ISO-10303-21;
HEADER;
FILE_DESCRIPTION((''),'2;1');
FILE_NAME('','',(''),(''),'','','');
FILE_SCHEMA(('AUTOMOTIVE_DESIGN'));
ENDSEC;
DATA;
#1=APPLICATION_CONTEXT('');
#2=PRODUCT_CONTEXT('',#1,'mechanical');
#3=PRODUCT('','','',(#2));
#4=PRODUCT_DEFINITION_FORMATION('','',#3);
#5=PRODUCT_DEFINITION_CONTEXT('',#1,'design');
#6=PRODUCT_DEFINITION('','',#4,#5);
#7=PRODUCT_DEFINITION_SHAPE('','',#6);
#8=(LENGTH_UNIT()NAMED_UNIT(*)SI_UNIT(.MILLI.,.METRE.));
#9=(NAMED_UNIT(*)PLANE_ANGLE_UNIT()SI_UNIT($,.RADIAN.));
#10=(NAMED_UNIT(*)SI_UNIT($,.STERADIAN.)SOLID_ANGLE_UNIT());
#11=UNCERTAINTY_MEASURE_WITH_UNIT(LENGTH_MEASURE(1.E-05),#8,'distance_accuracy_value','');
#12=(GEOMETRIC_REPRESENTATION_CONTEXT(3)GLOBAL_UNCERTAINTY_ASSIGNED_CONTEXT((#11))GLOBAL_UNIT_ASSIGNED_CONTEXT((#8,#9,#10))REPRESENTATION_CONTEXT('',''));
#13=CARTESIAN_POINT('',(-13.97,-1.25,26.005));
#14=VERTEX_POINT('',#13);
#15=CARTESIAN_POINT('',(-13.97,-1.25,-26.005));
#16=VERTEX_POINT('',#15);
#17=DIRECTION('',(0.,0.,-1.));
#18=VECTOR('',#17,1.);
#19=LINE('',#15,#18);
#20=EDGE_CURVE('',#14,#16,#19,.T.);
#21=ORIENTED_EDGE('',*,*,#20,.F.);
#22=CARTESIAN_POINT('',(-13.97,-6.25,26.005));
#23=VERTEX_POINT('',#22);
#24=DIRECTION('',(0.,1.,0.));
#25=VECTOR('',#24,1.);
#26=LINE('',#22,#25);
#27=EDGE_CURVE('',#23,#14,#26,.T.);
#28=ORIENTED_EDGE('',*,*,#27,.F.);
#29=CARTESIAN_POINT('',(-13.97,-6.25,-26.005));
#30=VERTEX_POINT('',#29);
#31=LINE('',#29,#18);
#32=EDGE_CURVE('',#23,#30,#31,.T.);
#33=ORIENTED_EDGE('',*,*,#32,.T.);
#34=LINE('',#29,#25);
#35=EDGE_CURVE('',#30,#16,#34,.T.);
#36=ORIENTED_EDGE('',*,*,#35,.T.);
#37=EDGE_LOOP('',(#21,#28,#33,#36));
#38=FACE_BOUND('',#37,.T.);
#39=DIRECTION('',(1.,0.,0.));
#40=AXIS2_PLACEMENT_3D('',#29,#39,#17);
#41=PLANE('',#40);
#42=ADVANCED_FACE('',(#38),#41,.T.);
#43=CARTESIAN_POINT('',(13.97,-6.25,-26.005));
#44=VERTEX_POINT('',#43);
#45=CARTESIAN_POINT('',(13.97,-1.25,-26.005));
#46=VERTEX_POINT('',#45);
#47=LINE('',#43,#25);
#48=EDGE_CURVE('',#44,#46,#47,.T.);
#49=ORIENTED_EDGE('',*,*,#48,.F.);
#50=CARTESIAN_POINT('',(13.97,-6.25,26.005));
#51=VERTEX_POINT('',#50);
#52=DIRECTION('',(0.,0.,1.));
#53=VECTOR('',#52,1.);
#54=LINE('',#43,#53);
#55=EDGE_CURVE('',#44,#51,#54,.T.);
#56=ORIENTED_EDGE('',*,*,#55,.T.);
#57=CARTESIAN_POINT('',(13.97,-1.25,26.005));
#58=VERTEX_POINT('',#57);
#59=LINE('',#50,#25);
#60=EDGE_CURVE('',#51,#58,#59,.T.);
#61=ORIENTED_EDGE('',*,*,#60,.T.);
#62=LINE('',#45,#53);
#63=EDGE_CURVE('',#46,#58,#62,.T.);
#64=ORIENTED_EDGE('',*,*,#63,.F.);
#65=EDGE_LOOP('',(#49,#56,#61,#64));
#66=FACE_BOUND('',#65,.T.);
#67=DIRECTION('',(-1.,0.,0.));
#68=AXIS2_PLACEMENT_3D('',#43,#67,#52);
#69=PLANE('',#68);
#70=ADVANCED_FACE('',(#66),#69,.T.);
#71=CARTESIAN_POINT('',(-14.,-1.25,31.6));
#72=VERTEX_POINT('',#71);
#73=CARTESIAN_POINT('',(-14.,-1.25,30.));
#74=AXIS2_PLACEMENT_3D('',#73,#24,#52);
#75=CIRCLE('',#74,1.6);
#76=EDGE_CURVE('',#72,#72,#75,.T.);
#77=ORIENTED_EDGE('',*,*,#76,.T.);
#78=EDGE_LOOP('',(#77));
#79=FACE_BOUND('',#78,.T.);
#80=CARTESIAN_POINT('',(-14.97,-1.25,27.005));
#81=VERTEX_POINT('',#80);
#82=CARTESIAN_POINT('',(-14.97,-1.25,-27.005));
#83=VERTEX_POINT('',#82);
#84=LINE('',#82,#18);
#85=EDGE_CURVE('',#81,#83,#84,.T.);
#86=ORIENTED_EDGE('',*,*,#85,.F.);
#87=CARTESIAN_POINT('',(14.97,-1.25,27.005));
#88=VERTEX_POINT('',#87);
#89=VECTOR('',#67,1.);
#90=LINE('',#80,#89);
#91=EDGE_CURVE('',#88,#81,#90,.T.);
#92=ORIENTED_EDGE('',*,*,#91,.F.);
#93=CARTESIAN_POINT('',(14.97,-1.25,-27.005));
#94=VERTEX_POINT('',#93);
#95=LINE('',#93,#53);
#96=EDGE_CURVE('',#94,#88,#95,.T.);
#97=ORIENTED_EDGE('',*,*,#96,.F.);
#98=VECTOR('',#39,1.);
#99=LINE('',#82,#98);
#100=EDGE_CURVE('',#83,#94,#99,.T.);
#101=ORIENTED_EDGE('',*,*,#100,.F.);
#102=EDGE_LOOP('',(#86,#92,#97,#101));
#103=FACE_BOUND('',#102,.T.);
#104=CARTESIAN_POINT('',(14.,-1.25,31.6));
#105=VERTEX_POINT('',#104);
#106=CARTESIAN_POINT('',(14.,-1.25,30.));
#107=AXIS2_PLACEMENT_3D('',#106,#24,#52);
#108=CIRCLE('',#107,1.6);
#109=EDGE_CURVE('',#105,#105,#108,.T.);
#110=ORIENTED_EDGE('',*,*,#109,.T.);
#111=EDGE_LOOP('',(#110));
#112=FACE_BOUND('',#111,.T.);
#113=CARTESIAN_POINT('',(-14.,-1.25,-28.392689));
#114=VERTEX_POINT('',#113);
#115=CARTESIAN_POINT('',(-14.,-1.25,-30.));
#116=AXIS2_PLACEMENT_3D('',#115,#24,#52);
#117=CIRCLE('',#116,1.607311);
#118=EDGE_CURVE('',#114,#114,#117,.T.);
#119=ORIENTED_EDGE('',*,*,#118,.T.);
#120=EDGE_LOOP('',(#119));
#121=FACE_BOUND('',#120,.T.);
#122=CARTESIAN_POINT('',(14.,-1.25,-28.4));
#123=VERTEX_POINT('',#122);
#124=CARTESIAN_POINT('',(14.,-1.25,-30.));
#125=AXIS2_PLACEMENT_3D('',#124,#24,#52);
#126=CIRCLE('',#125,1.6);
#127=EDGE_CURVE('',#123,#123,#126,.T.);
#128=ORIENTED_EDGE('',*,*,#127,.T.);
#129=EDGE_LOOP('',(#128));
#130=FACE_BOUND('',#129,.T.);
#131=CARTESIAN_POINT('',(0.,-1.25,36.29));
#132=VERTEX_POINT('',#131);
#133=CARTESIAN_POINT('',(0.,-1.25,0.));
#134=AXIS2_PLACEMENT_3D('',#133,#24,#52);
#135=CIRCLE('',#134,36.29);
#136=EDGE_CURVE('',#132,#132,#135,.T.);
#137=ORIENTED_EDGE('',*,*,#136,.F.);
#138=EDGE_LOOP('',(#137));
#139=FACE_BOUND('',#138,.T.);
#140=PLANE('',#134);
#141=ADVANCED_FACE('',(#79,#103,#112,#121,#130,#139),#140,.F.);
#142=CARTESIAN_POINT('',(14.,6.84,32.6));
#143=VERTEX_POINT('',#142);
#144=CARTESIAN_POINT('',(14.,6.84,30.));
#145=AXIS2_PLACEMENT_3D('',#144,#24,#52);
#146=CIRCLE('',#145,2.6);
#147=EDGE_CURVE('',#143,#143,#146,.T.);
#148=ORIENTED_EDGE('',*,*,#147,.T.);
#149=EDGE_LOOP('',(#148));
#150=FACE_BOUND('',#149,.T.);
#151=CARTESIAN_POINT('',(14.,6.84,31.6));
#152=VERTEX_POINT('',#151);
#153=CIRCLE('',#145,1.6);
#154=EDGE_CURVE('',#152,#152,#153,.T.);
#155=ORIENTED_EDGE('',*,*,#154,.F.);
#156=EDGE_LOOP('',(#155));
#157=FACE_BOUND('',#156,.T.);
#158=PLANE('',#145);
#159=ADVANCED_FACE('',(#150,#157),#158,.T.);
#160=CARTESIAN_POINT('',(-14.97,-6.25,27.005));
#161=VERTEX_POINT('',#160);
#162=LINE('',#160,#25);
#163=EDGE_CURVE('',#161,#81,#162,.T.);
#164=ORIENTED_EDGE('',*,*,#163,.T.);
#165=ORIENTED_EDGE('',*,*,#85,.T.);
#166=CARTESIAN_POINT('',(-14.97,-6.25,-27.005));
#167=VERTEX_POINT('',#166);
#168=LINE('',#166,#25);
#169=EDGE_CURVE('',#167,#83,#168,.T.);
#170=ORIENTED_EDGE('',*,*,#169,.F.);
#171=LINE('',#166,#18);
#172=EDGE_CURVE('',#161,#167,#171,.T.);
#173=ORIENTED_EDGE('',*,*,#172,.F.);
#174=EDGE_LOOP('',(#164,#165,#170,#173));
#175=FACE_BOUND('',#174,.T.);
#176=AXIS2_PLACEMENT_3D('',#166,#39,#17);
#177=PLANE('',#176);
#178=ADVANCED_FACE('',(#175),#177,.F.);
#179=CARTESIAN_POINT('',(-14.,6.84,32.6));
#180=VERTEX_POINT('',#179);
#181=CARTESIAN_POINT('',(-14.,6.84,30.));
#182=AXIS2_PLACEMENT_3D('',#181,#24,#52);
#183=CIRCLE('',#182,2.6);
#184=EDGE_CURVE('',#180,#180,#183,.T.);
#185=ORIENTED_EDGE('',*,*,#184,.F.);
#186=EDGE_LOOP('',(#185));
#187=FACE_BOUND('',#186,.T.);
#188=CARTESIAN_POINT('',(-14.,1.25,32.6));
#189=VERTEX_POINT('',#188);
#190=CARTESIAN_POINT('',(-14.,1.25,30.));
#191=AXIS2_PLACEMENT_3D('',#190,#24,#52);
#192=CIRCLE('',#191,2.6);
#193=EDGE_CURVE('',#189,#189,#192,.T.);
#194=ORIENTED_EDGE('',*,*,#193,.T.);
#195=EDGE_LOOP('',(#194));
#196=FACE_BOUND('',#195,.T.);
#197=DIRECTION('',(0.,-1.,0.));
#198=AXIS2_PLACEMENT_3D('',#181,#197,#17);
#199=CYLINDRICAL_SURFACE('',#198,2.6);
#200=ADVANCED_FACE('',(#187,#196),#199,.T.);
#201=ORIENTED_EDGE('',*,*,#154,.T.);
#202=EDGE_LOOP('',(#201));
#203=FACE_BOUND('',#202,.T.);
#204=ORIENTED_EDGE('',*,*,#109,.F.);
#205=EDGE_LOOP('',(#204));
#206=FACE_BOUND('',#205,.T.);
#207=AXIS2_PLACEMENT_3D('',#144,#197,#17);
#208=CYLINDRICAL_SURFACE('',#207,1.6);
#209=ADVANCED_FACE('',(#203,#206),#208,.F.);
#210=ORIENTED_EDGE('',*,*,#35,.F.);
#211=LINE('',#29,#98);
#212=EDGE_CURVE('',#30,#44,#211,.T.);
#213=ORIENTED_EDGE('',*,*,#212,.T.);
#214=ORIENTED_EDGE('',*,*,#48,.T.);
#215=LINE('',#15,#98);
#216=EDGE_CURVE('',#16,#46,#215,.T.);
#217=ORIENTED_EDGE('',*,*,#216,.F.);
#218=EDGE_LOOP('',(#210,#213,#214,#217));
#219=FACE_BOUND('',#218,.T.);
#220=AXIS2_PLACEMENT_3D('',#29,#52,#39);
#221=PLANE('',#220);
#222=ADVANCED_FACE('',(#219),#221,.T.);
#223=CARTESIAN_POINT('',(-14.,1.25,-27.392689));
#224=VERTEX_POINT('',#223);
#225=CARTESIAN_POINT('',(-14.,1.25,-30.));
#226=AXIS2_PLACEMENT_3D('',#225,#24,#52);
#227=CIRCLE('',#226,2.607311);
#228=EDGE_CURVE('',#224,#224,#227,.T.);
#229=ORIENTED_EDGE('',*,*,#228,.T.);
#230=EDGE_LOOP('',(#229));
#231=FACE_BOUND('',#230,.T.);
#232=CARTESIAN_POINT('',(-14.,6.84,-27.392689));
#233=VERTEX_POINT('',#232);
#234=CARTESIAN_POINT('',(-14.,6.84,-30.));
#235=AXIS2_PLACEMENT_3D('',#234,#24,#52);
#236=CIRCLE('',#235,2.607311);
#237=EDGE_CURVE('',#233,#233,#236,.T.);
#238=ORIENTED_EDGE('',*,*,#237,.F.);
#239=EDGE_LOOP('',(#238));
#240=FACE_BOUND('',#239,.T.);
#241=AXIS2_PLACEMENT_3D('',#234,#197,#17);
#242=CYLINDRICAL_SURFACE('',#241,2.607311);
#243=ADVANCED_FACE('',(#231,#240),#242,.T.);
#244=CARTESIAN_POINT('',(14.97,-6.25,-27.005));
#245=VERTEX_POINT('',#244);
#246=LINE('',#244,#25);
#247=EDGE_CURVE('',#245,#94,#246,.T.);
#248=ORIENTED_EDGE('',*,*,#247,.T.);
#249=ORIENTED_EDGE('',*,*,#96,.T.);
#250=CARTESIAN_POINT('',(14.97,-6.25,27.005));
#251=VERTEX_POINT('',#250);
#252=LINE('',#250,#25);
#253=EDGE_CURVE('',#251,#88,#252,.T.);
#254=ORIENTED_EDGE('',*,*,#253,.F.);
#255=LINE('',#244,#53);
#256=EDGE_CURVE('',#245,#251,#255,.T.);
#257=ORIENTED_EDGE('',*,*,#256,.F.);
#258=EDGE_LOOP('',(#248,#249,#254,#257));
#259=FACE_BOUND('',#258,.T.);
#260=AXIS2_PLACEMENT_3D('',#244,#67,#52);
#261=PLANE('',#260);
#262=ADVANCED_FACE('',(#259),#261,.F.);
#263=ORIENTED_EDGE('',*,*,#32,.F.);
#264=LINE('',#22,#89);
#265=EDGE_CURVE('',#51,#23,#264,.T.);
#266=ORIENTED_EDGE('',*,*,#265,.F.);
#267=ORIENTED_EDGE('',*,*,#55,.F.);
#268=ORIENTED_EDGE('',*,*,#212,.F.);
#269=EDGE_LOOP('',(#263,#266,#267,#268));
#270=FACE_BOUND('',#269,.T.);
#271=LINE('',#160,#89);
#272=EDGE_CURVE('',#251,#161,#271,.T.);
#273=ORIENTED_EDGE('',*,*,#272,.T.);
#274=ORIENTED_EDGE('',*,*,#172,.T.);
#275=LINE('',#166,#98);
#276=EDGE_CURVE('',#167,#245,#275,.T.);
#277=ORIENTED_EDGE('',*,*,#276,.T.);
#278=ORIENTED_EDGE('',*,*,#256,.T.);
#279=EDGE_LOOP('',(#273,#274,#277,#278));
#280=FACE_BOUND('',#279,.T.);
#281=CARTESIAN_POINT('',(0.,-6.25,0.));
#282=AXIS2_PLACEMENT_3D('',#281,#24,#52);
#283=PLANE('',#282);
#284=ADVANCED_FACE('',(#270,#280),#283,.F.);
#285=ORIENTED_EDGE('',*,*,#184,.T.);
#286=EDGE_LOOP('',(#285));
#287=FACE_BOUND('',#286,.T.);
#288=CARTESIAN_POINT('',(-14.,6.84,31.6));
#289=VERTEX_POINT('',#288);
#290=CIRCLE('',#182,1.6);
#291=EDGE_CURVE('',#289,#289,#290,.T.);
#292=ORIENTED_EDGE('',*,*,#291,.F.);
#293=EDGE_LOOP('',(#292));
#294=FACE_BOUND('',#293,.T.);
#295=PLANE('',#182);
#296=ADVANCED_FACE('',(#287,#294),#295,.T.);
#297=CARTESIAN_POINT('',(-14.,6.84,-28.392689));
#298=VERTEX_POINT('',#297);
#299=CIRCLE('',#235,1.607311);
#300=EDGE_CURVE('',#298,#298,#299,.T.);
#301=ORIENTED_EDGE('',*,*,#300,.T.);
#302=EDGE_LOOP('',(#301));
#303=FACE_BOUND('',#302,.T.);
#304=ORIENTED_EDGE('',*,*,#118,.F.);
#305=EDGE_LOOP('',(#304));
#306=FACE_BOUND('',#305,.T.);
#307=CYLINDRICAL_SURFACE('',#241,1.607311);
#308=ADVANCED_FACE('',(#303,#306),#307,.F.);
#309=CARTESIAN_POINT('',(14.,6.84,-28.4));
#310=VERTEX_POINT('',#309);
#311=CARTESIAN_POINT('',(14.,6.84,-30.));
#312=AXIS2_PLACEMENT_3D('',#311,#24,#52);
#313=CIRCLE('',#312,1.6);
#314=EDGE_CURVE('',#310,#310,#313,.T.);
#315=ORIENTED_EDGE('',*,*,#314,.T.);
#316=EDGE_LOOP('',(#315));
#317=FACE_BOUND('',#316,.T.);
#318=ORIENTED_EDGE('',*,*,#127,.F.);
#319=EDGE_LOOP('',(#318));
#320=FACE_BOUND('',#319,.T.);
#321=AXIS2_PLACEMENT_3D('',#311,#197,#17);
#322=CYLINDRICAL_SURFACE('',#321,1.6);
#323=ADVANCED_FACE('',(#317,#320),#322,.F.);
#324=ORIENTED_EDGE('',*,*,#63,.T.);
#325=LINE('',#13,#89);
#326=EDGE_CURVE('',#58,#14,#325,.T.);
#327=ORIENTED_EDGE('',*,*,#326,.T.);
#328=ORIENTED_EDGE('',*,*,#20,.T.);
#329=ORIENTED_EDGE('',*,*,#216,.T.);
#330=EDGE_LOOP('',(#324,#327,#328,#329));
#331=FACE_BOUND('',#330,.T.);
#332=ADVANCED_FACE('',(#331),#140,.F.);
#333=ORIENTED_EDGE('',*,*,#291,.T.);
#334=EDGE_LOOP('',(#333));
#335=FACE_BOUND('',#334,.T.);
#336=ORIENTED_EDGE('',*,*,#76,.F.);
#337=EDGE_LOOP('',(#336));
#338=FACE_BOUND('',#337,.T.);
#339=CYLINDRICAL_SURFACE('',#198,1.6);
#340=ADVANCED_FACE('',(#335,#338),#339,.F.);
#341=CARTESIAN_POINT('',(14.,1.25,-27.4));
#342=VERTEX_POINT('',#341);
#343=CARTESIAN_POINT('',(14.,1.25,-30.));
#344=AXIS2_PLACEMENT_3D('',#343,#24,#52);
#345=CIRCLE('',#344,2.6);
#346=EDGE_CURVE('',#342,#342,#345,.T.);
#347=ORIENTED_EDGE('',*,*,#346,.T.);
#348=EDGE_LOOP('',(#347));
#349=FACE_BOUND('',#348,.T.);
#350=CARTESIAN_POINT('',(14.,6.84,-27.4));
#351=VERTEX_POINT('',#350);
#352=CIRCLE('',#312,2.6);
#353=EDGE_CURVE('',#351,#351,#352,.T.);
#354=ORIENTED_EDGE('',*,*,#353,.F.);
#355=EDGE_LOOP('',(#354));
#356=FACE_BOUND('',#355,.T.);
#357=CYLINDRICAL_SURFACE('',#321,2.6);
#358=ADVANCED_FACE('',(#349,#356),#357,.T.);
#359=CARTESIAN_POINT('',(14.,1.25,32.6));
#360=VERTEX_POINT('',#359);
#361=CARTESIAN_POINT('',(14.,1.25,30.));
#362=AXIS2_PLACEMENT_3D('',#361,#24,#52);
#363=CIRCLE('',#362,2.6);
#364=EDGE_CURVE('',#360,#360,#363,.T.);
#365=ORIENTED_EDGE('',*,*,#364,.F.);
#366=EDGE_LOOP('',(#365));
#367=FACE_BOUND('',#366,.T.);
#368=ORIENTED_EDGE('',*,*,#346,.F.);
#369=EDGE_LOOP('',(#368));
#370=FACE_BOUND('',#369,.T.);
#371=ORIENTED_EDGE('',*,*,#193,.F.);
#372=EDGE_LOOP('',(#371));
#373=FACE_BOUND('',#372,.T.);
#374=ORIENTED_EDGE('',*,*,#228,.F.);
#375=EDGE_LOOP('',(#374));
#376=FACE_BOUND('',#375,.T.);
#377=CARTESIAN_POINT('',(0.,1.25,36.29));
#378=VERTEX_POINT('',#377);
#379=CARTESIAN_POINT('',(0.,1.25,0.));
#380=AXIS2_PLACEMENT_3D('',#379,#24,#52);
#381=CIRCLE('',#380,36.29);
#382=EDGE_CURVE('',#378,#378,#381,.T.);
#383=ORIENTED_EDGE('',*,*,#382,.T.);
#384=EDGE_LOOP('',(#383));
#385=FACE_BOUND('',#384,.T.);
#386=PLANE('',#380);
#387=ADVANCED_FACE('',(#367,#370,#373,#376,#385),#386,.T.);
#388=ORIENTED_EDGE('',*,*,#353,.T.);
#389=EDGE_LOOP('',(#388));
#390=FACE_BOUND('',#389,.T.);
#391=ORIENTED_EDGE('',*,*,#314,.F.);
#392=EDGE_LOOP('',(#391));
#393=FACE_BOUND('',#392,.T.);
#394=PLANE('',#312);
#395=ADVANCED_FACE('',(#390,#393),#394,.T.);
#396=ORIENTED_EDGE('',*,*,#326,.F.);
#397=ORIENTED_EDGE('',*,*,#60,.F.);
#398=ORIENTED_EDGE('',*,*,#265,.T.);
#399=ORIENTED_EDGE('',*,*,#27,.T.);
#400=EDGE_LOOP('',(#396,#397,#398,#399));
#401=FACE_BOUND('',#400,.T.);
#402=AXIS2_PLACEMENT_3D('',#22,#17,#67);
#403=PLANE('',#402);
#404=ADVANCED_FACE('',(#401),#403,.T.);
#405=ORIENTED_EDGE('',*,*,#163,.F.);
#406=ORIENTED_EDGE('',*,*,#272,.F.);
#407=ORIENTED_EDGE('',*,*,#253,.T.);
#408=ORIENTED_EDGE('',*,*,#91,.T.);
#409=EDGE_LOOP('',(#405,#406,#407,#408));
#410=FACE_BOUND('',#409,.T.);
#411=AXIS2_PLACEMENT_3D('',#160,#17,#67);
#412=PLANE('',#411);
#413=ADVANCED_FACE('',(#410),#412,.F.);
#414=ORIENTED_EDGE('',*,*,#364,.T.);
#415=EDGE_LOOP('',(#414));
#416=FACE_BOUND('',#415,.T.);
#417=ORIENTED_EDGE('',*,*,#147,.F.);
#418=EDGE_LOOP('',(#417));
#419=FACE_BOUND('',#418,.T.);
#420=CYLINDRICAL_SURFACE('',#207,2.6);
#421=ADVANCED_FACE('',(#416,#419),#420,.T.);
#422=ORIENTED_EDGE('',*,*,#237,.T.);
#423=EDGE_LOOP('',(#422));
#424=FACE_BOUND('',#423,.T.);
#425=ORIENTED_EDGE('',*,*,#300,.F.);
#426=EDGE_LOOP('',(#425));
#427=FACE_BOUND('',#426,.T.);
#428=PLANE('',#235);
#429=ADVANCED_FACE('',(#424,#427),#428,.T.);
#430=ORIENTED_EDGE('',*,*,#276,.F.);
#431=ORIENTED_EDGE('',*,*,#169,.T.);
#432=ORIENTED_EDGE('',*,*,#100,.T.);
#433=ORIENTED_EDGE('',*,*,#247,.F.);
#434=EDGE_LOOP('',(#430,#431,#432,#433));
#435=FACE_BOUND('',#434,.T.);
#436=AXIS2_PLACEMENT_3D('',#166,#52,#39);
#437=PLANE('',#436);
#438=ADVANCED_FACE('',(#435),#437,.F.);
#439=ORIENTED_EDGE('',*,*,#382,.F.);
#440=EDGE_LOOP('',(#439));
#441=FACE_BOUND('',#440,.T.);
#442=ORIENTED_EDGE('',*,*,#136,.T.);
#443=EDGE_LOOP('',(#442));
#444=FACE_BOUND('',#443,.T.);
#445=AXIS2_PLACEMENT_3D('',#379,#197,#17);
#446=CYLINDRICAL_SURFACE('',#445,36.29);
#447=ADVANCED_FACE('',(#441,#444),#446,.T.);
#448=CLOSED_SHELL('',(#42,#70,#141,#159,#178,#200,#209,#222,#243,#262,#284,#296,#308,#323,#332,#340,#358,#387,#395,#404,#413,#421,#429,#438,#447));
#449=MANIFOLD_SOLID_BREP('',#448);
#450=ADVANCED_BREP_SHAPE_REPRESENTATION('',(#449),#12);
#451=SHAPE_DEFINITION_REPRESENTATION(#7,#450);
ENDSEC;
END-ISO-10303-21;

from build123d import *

# Parameters (mm, degrees)
CROQUIS1_R              = 36.29
SALIENTE_EXTRUIR1_DEPTH = 1.25
CROQUIS2_W              = 29.94
CROQUIS2_H              = 54.01
CROQUIS2_W_2            = 27.94
CROQUIS2_H_2            = 52.01
SALIENTE_EXTRUIR2_DEPTH = 5
CROQUIS3_R              = 2.60731142
CROQUIS3_R_2            = 1.60731142
CROQUIS3_R_3            = 2.6
CROQUIS3_R_4            = 1.6
CROQUIS3_R_5            = 2.600000001
CROQUIS3_R_6            = 1.600000001
SALIENTE_EXTRUIR3_DEPTH = 5.59
CROQUIS3_3_R            = 1.6
CROQUIS3_3_R_2          = 1.600000001
CROQUIS3_3_R_3          = 1.60731142
CORTAR_EXTRUIR1_DEPTH   = 52.866927806


with BuildPart() as part:
    # Croquis1 → Saliente-Extruir1 (new, symmetric)
    with BuildSketch(Plane(origin=(0, 0, 0), x_dir=(1, 0, 0), z_dir=(0, 1, 0))):
        Circle(CROQUIS1_R)
    extrude(amount=SALIENTE_EXTRUIR1_DEPTH, both=True)

    # Croquis2 → Saliente-Extruir2 (add)
    with BuildSketch(Plane.XZ.offset(1.25)):
        Rectangle(CROQUIS2_W, CROQUIS2_H)
        Rectangle(CROQUIS2_W_2, CROQUIS2_H_2, mode=Mode.SUBTRACT)
    extrude(amount=SALIENTE_EXTRUIR2_DEPTH)

    # Croquis3 → Saliente-Extruir3 (add)
    # profile 1 of 4: a face of its own
    with BuildSketch(Plane(origin=(0, 1.25, 0), x_dir=(1, 0, 0), z_dir=(0, 1, 0))):
        with Locations((-14, 30)):
            Circle(CROQUIS3_R)
        with Locations((-14, 30)):
            Circle(CROQUIS3_R_2, mode=Mode.SUBTRACT)
    # profile 2 of 4: a face of its own
    with BuildSketch(Plane(origin=(0, 1.25, 0), x_dir=(1, 0, 0), z_dir=(0, 1, 0))):
        with Locations((14, 30)):
            Circle(CROQUIS3_R_3)
        with Locations((14, 30)):
            Circle(CROQUIS3_R_4, mode=Mode.SUBTRACT)
    # profile 3 of 4: a face of its own
    with BuildSketch(Plane(origin=(0, 1.25, 0), x_dir=(1, 0, 0), z_dir=(0, 1, 0))):
        with Locations((-14.000000001, -30)):
            Circle(CROQUIS3_R_5)
        with Locations((-14.000000001, -30)):
            Circle(CROQUIS3_R_6, mode=Mode.SUBTRACT)
    # profile 4 of 4: a face of its own
    with BuildSketch(Plane(origin=(0, 1.25, 0), x_dir=(1, 0, 0), z_dir=(0, 1, 0))):
        with Locations((13.999999999, -30)):
            Circle(CROQUIS3_R_5)
        with Locations((13.999999999, -30)):
            Circle(CROQUIS3_R_6, mode=Mode.SUBTRACT)
    extrude(amount=SALIENTE_EXTRUIR3_DEPTH)

    # Croquis3<3> → Cortar-Extruir1 (cut, through all)
    with BuildSketch(Plane(origin=(0, 1.25, 0), x_dir=(1, 0, 0), z_dir=(0, 1, 0))):
        with Locations((14, 30)):
            Circle(CROQUIS3_3_R)
        with Locations((13.999999999, -30)):
            Circle(CROQUIS3_3_R_2)
        with Locations((-14.000000001, -30)):
            Circle(CROQUIS3_3_R_2)
        with Locations((-14, 30)):
            Circle(CROQUIS3_3_R_3)
    extrude(amount=-CORTAR_EXTRUIR1_DEPTH, mode=Mode.SUBTRACT)


solid = part.part
